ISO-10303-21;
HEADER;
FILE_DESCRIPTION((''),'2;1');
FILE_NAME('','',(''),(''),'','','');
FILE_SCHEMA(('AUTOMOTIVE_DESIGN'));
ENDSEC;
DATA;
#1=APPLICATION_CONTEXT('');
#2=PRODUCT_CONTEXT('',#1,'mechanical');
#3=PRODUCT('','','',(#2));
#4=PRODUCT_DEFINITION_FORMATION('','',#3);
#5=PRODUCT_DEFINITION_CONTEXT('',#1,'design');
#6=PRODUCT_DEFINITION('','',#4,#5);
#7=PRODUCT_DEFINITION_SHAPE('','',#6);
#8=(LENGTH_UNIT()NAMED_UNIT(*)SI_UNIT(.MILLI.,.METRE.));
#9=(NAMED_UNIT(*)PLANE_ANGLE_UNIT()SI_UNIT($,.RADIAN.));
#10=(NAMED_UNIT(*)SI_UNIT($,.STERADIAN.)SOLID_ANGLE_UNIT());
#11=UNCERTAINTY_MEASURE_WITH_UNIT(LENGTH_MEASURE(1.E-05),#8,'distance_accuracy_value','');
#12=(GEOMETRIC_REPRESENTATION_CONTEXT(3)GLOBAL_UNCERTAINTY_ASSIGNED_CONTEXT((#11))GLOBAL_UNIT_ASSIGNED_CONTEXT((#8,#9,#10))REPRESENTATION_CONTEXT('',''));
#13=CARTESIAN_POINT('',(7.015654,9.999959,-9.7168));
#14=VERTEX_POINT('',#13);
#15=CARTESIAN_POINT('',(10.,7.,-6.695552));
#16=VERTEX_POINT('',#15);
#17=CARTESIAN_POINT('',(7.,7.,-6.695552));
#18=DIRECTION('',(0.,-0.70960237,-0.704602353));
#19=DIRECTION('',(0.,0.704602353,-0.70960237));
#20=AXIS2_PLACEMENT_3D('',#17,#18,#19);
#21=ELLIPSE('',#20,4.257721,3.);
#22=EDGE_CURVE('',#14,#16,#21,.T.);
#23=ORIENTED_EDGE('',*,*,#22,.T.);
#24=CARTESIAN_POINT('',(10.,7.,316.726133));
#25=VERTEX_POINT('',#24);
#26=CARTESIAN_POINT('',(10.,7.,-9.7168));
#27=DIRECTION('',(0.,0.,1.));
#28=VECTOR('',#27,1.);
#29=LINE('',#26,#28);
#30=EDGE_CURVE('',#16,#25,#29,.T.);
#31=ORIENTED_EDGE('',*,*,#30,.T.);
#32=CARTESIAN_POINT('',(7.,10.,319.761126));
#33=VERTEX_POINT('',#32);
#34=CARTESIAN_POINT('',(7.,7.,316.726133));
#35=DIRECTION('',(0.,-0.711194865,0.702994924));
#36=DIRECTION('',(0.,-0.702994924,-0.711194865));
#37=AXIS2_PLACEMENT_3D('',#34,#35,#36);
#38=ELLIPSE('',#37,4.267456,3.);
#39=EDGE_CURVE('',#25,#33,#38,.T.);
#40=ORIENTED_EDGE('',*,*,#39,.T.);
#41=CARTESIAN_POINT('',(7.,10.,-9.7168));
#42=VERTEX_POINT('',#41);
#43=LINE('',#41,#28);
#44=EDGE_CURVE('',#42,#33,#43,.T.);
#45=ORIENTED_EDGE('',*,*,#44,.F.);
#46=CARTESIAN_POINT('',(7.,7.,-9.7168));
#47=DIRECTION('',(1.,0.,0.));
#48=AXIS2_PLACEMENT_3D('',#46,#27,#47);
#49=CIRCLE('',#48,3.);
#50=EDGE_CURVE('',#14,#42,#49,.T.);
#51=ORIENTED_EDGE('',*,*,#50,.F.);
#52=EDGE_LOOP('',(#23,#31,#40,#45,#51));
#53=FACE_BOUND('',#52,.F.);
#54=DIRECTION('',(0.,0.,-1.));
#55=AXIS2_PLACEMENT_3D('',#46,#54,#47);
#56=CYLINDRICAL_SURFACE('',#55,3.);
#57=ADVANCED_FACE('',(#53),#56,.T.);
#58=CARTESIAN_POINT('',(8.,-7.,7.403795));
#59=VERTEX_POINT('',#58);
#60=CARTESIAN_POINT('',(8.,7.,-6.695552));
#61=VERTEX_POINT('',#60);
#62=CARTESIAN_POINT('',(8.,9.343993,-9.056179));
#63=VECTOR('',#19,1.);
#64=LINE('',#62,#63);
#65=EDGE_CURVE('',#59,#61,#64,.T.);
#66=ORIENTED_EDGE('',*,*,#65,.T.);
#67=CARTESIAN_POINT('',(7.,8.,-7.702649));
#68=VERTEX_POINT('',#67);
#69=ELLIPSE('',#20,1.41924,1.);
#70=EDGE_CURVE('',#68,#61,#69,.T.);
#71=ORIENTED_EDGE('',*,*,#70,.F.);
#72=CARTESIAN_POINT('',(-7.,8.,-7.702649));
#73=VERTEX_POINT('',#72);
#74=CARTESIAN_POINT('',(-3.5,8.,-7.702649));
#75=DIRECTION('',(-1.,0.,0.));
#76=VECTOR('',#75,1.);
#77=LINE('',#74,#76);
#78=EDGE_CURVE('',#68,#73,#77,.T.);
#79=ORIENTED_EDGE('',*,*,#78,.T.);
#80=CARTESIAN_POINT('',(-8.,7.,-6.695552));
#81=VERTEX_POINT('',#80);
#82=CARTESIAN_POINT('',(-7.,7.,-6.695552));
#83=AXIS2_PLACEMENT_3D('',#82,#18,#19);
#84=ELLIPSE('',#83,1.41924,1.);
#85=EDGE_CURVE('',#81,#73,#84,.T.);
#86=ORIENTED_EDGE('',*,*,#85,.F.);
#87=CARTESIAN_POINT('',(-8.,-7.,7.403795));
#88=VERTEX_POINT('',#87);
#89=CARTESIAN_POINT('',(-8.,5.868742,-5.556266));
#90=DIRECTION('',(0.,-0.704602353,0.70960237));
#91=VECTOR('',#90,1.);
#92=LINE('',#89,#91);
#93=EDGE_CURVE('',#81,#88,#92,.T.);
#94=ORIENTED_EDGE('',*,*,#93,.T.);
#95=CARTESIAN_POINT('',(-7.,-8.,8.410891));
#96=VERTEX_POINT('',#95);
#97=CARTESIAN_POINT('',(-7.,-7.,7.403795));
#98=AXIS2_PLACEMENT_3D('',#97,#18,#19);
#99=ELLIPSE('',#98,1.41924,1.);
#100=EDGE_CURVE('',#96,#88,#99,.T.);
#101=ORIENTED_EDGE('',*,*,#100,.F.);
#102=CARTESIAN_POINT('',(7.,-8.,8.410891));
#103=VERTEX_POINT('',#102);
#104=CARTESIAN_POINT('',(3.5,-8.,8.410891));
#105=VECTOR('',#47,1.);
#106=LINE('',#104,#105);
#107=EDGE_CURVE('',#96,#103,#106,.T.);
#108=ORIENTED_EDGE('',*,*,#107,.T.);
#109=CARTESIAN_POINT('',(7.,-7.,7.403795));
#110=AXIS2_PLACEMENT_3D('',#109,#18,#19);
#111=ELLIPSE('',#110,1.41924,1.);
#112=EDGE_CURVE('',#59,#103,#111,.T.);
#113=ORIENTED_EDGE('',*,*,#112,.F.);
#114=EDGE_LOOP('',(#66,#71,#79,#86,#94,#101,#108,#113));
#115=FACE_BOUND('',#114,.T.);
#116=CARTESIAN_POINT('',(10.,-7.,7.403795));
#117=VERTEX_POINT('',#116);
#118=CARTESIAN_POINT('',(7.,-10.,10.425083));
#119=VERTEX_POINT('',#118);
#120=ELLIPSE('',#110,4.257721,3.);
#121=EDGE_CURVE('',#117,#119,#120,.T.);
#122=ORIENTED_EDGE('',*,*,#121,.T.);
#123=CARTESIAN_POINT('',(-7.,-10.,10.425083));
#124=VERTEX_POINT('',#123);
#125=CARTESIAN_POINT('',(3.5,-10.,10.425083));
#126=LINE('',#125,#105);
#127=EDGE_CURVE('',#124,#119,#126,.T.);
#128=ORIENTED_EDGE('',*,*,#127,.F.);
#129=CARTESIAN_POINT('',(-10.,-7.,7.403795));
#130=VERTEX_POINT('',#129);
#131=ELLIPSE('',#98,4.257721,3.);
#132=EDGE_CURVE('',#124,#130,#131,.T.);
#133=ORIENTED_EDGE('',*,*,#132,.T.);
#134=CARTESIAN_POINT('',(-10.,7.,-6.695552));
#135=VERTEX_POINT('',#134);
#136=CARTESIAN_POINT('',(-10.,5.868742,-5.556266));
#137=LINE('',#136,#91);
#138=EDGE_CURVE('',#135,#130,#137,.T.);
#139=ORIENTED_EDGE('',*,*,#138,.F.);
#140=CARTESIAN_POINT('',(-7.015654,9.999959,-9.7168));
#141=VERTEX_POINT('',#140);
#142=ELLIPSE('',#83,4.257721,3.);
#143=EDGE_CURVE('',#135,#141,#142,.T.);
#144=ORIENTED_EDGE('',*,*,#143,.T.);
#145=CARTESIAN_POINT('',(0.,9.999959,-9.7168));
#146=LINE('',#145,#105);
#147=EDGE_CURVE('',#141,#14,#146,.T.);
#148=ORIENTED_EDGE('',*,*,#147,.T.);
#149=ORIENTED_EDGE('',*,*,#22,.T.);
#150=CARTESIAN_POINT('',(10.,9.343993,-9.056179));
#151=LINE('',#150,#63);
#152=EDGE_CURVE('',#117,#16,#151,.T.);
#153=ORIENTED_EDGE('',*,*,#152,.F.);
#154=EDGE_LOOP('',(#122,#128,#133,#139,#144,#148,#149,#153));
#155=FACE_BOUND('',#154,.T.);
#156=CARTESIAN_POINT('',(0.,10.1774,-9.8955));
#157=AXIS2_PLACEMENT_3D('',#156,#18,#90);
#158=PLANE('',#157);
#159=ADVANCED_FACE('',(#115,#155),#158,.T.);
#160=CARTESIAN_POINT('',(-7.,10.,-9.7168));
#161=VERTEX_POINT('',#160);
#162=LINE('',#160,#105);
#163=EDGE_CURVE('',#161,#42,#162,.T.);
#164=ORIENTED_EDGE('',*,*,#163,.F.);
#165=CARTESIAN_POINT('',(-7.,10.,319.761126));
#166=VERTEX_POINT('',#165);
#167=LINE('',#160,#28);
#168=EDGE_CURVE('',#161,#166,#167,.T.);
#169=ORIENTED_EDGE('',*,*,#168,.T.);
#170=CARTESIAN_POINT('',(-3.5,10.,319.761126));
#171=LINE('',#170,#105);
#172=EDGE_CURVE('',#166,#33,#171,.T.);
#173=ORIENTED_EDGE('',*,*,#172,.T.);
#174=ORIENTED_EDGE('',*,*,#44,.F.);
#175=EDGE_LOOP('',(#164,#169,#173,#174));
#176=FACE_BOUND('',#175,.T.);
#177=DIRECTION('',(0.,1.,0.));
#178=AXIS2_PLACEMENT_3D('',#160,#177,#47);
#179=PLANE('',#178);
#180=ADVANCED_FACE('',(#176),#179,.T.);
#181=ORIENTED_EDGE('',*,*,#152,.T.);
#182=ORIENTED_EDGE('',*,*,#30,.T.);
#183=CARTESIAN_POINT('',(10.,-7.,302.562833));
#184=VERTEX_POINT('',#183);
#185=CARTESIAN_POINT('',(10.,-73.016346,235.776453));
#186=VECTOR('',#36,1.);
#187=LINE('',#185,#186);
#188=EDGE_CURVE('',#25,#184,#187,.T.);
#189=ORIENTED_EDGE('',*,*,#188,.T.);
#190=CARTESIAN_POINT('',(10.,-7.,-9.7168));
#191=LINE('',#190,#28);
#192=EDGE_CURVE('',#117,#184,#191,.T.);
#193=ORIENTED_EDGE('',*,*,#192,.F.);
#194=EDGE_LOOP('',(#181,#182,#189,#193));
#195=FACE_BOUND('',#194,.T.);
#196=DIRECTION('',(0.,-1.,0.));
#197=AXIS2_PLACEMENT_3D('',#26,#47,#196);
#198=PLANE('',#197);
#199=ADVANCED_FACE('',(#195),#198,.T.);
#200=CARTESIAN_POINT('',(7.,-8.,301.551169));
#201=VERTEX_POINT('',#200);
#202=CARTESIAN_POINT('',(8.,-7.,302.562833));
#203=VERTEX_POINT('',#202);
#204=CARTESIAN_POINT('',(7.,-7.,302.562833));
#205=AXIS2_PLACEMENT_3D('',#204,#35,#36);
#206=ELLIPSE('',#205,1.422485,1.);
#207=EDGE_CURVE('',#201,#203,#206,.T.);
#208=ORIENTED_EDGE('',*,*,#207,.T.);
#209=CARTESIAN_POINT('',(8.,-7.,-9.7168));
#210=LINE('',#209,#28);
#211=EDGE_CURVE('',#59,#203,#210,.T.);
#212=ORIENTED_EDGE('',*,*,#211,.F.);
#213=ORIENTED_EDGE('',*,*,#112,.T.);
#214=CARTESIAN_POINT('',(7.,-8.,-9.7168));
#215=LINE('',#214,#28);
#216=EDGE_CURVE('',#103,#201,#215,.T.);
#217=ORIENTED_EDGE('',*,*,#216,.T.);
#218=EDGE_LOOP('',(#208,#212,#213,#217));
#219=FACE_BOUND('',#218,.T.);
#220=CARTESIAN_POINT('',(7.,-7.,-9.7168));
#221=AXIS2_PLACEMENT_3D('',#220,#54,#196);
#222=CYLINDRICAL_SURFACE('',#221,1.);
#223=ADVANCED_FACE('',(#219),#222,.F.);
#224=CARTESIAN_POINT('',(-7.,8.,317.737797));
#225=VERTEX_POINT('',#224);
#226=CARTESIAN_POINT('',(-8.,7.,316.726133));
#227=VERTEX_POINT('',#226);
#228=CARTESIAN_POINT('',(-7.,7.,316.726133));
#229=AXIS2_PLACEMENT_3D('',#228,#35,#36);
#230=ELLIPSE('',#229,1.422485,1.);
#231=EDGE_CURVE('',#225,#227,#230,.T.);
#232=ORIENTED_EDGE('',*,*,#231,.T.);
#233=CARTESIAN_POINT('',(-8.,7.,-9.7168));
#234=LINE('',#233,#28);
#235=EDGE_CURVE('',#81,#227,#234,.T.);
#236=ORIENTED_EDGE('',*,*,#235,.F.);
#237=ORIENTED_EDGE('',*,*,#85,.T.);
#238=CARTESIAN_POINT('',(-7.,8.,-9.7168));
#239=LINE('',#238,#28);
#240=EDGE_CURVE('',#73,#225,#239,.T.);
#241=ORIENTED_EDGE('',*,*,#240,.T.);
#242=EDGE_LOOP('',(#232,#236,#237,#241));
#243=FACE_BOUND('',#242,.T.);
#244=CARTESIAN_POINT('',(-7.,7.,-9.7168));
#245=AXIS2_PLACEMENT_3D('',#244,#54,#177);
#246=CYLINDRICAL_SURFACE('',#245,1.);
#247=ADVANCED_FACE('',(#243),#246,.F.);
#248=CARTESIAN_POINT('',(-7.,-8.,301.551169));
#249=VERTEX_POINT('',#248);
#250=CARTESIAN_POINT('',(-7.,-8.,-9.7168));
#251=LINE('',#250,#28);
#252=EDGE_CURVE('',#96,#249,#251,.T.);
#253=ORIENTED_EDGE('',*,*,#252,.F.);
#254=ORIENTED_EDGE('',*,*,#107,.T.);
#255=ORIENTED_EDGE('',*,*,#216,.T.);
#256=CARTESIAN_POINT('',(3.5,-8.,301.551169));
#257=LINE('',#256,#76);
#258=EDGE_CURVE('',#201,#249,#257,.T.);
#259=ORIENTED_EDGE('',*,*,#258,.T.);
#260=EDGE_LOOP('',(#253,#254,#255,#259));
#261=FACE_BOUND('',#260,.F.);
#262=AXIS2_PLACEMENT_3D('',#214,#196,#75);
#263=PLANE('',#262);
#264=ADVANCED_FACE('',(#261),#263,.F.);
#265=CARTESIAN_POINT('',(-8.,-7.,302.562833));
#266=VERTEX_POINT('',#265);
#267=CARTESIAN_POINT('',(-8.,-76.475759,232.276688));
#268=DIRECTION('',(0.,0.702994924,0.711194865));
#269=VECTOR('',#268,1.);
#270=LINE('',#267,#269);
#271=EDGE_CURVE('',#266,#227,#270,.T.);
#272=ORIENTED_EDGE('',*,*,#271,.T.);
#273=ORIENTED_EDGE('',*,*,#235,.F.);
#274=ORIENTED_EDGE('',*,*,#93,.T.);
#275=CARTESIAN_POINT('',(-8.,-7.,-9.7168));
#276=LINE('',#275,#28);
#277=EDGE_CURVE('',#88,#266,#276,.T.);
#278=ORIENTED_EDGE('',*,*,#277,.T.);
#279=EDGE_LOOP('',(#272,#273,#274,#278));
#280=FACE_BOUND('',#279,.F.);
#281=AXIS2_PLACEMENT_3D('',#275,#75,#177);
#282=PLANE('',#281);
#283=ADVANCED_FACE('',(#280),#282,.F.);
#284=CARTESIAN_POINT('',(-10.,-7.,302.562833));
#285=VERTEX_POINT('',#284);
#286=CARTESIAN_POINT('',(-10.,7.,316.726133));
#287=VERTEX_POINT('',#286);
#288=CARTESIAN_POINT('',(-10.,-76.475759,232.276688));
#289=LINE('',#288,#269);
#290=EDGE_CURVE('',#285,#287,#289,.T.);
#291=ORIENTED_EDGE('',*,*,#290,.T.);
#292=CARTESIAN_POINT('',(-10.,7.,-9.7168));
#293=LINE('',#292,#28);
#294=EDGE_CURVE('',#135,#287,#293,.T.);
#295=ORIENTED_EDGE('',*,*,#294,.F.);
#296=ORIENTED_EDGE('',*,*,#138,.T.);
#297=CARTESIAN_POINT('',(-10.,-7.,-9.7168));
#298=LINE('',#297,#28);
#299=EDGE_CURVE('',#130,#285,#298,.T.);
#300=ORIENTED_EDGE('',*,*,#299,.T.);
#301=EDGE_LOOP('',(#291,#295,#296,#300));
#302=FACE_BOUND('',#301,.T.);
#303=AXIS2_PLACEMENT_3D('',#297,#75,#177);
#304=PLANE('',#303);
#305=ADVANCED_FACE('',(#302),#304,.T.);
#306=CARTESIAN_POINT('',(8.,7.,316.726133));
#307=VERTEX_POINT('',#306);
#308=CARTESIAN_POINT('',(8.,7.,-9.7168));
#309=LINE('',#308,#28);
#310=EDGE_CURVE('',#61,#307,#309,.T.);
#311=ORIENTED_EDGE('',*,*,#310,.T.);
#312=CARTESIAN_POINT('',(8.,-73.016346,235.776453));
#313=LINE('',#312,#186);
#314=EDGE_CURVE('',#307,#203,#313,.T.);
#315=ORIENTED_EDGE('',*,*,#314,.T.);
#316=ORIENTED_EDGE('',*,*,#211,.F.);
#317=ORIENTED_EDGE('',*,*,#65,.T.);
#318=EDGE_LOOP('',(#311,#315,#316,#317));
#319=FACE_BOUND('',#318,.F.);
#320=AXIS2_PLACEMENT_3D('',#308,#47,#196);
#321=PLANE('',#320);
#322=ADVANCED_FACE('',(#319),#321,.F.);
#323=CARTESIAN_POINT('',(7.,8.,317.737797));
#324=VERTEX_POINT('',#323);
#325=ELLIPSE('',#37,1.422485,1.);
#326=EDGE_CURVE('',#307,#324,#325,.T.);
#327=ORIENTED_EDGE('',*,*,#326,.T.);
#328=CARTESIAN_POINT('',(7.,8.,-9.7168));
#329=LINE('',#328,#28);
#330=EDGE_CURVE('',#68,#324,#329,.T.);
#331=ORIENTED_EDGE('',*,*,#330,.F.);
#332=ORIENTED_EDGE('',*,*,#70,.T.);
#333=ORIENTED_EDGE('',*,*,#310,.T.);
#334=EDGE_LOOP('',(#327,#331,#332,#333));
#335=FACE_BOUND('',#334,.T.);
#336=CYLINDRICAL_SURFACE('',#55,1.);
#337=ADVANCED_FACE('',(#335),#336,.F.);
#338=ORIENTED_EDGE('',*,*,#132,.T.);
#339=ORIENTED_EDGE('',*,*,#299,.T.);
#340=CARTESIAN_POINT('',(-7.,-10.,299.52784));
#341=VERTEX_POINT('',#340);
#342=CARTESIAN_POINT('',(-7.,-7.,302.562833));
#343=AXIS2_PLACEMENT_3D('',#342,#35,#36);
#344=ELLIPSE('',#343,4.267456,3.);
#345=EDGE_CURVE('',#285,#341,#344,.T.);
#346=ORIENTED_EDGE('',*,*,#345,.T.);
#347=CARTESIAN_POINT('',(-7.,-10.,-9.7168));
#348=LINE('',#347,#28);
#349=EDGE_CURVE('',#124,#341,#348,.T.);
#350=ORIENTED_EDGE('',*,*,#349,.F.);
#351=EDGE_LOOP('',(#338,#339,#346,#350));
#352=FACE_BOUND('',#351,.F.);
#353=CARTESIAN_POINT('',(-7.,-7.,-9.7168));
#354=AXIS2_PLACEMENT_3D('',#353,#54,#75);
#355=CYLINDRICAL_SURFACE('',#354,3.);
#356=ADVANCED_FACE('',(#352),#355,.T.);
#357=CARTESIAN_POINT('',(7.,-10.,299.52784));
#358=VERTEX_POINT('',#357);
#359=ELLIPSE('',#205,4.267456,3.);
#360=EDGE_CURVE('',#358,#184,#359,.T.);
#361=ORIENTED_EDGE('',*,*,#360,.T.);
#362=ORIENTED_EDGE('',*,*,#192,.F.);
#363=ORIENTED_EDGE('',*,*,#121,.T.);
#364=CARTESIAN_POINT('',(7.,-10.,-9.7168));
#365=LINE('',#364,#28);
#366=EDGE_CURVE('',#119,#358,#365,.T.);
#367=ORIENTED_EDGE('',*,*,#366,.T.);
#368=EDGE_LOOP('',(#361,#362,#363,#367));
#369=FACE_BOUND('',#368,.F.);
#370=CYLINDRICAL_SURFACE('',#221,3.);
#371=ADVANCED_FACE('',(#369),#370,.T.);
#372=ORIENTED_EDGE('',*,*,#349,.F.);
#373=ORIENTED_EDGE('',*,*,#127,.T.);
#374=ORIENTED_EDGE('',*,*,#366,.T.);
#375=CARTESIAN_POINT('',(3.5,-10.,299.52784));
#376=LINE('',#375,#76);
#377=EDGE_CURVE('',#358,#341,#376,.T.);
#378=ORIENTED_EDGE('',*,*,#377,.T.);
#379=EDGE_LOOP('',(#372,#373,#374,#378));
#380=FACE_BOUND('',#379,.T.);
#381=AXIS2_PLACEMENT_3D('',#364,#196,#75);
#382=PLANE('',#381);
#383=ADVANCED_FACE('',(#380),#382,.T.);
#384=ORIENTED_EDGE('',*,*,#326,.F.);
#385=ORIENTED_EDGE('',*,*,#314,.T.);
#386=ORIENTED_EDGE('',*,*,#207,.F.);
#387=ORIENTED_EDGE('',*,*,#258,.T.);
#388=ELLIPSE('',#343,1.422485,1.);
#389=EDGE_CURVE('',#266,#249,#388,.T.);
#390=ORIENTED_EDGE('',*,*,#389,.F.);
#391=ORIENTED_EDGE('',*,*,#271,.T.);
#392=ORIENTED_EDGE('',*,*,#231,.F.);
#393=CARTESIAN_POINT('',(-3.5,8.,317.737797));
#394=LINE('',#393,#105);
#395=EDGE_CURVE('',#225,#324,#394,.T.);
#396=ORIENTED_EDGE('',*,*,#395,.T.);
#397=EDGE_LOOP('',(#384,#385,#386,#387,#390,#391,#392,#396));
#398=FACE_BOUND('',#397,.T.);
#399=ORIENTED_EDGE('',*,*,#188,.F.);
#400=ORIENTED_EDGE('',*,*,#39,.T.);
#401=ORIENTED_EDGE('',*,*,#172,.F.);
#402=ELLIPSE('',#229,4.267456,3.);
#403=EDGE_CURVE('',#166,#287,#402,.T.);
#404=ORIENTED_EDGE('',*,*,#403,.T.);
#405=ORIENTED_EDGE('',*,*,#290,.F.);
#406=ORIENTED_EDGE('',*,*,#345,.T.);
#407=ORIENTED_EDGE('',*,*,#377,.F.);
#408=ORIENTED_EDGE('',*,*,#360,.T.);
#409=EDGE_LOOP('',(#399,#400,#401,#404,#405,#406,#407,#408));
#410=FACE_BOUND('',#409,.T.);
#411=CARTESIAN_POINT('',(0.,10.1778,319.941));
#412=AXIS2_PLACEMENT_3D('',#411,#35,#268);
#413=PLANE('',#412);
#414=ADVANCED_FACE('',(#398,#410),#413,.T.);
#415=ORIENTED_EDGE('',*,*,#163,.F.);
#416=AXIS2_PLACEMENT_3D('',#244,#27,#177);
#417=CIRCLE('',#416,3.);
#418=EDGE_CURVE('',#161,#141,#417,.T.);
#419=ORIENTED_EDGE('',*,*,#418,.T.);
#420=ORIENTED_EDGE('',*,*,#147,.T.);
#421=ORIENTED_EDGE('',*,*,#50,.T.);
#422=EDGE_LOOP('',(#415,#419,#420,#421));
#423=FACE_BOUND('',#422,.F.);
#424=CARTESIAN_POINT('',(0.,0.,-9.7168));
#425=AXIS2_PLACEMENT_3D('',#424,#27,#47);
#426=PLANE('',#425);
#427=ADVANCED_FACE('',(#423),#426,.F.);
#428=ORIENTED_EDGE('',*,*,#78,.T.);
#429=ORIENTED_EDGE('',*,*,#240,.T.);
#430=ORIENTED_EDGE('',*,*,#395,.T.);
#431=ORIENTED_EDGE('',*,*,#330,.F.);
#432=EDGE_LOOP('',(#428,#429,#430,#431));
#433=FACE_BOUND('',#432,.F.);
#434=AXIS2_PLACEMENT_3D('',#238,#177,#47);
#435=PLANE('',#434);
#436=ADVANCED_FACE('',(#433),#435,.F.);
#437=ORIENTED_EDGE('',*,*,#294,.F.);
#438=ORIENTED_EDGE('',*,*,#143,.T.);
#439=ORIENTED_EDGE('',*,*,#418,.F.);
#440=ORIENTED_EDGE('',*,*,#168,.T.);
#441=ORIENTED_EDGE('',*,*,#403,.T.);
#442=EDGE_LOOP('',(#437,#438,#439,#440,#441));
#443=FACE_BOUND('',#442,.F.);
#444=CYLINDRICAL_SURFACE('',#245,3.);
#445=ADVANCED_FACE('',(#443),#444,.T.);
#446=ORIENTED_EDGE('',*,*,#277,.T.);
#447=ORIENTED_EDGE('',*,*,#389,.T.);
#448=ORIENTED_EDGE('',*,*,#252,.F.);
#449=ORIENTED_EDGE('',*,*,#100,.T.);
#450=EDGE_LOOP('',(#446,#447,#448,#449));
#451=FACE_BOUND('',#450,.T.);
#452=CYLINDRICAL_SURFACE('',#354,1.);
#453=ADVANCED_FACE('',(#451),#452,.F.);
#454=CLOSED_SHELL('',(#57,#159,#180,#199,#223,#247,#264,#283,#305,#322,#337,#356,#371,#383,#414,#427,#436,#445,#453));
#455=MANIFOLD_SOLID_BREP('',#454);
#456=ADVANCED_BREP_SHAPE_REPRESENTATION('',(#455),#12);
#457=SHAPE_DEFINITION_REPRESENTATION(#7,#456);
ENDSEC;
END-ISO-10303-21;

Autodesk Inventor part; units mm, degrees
ref_plane "Start Plane" through (0, 0, -9.7168) normal (0, 0, 1) x (1, 0, 0)
ref_plane "End Plane" through (0, 0, 319.7611) normal (0, 0, 1) x (1, 0, 0)
sketch "Sketch" plane through (0, 0, 0) normal (0, 0, 1) x (1, 0, 0)
  line L0 (-10, -7) -> (-10, 7)
  line L1 (-7, 10) -> (7, 10)
  line L2 (10, 7) -> (10, -7)
  line L3 (7, -10) -> (-7, -10)
  arc A0 (-10, -7) -> (-7, -10) centre (-7, -7) ccw
  arc A1 (-7, 10) -> (-10, 7) centre (-7, 7) ccw
  arc A2 (10, 7) -> (7, 10) centre (7, 7) ccw
  arc A3 (7, -10) -> (10, -7) centre (7, -7) ccw
  arc A4 (-7, 8) -> (-8, 7) centre (-7, 7) ccw
  line L4 (-7, 8) -> (7, 8)
  arc A5 (8, 7) -> (7, 8) centre (7, 7) ccw
  line L5 (8, 7) -> (8, -7)
  arc A6 (7, -8) -> (8, -7) centre (7, -7) ccw
  line L6 (7, -8) -> (-7, -8)
  arc A7 (-8, -7) -> (-7, -8) centre (-7, -7) ccw
  line L7 (-8, -7) -> (-8, 7)
  line L8 (0, 14.8698) -> (0, -14.8698) construction
  line L9 (-14.8698, 0) -> (14.8698, 0) construction
  dimension "d7" = 3
  dimension "d10" = 20
  dimension "d11" = 20
  dimension "d12" = 2
  dimension "d15" = 10
  dimension "d16" = 10
extrude "Body" add sketch "Sketch" along normal up to surface (329.478 mm away) from surface at -9.7168
sketch "Sketch3" plane through (0, 0, 0) normal (0, 0, 1) x (1, 0, 0)
  line L0 (0, 0) -> (10, 0)
ref_plane "Work Plane3" through (0, 0, 0) normal (0, -1, 0) x (1, 0, 0)
sketch "Sketch4" plane through (0, 0, 0) normal (0, -1, 0) x (1, 0, 0)
  line L0 (-2, -9.7168) -> (12, -9.7168)
  line L1 (-2, 319.7611) -> (12, 319.7611)
  dimension "d18" = 329.478
ref_plane "Work Plane4" through (0, 10.1778, 319.941) normal (0, -0.7112, 0.703) x (1, 0, 0)
split "Split1" plane through (0, 10.1778, 319.941) removes the side toward (0, -0.7112, 0.703)
ref_plane "Work Plane5" through (0, 10.1774, -9.8955) normal (0, -0.7096, -0.7046) x (1, 0, 0)
split "Split2" plane through (0, 10.1774, -9.8955) removes the side toward (0, -0.7096, -0.7046)
equation "\"d7\" = G_IR"
equation "\"d10\" = G_H"
equation "\"d11\" = G_W"
equation "\"d12\" = G_T"
equation "\"d15\" = 0.5 * d10"
equation "\"d16\" = 0.5 * d11"
equation "\"d3\" = G_L"
equation "\"G_W\" = 20"
equation "\"G_H\" = 20"
equation "\"G_T\" = 2"
equation "\"G_IR\" = 3"
equation "\"G_L\" = d18"
equation "\"G_OFFSET_START\" = 9.71683"
equation "\"G_OFFSET_END\" = 9.76112"
equation "\"d13\" = -G_OFFSET_START"
equation "\"d14\" = G_OFFSET_END + B_L"
equation "\"B_L\" = 310"
properties part number "ISO 12633-2 - 20x20x2 - 329.48" material "Steel, Mild"
